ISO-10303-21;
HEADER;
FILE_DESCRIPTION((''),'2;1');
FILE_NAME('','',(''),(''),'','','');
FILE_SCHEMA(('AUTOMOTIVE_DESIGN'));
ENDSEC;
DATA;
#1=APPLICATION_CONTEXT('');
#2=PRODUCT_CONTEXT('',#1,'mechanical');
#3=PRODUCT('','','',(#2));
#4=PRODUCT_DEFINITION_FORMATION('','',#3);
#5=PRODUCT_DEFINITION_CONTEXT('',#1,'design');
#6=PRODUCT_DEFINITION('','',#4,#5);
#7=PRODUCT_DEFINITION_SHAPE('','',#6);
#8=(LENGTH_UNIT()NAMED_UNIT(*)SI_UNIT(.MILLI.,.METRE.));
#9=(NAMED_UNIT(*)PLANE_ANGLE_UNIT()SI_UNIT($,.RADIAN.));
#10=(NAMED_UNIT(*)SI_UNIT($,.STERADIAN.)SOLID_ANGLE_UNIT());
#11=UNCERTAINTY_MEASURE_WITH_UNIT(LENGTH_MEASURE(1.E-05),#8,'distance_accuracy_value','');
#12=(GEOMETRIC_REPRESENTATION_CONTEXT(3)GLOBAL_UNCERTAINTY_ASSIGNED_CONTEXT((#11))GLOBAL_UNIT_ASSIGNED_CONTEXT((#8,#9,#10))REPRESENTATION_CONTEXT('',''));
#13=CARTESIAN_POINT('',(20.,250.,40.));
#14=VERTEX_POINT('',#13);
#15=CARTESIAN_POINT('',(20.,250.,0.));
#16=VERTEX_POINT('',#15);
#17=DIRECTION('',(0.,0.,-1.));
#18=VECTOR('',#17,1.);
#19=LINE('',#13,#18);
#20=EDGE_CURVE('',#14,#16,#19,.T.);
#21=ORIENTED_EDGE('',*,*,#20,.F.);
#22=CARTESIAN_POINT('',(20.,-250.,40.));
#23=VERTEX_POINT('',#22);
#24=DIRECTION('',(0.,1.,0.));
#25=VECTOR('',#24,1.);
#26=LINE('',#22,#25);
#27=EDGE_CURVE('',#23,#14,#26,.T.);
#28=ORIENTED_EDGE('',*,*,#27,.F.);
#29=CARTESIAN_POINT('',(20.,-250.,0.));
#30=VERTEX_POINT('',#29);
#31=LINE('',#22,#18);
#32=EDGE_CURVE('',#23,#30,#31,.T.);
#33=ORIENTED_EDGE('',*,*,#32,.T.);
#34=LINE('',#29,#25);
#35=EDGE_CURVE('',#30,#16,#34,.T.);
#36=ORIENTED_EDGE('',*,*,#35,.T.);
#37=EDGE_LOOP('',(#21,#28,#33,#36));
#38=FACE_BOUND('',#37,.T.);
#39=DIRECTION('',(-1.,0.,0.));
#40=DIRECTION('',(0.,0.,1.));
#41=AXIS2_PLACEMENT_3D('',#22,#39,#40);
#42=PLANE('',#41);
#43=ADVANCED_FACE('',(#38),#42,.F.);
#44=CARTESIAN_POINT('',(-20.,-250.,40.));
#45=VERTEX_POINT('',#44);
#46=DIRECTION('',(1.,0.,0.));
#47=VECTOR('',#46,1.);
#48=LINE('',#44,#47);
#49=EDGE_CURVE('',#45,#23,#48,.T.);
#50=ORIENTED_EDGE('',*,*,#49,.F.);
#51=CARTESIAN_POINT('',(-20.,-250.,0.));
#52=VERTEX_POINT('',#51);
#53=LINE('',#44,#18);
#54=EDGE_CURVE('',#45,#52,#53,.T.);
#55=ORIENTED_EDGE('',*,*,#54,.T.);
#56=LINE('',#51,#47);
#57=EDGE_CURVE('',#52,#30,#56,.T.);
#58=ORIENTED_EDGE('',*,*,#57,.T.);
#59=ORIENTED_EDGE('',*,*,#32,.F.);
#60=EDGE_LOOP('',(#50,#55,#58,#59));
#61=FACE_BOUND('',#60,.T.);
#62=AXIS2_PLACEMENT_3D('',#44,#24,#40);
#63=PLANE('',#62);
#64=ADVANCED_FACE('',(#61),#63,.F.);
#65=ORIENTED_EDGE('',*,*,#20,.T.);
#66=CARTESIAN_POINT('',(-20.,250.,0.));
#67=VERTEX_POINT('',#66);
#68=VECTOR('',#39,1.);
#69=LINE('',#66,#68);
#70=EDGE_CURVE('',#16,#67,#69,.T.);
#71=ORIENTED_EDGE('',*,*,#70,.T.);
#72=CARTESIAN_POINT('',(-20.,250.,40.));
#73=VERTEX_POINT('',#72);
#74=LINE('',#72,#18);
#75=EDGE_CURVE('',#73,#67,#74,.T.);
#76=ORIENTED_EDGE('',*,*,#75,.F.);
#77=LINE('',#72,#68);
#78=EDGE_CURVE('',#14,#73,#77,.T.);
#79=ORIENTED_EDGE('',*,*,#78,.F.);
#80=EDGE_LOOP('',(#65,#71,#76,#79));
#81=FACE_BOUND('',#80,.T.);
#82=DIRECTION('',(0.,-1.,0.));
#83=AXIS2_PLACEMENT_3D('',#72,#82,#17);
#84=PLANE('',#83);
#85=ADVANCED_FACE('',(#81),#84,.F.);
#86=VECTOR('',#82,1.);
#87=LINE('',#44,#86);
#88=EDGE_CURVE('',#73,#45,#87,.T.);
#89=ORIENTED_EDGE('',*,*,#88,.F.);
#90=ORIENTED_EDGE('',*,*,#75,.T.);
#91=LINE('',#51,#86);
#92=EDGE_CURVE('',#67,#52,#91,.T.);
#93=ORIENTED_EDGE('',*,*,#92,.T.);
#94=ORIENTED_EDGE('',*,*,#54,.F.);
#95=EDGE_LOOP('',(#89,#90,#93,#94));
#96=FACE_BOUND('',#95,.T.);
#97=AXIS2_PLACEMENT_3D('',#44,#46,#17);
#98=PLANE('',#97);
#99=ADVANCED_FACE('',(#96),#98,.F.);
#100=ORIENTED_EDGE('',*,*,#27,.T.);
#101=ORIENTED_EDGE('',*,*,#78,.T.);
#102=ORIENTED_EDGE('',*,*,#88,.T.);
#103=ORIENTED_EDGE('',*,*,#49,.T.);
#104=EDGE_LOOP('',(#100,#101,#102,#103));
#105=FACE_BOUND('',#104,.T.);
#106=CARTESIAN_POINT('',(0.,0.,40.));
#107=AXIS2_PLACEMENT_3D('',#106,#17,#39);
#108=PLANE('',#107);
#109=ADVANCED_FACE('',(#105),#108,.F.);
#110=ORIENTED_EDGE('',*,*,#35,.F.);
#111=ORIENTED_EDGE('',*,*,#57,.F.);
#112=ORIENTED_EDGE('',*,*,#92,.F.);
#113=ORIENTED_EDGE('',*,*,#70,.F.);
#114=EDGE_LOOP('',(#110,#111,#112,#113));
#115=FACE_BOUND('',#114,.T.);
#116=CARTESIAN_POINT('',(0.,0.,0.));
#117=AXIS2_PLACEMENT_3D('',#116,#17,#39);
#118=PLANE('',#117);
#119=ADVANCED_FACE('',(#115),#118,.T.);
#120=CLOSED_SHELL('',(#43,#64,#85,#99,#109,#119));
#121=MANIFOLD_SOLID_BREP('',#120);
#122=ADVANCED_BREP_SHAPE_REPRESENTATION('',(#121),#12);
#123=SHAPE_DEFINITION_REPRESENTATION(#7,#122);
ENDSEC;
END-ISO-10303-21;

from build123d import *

# Parameters (mm, degrees)
SKETCH1_W           = 40
SKETCH1_H           = 500
BOSS_EXTRUDE1_DEPTH = 40


with BuildPart() as part:
    # Sketch1 → Boss-Extrude1 (new body)
    with BuildSketch(Plane.XY):
        Rectangle(SKETCH1_W, SKETCH1_H)
    extrude(amount=BOSS_EXTRUDE1_DEPTH)


solid = part.part
